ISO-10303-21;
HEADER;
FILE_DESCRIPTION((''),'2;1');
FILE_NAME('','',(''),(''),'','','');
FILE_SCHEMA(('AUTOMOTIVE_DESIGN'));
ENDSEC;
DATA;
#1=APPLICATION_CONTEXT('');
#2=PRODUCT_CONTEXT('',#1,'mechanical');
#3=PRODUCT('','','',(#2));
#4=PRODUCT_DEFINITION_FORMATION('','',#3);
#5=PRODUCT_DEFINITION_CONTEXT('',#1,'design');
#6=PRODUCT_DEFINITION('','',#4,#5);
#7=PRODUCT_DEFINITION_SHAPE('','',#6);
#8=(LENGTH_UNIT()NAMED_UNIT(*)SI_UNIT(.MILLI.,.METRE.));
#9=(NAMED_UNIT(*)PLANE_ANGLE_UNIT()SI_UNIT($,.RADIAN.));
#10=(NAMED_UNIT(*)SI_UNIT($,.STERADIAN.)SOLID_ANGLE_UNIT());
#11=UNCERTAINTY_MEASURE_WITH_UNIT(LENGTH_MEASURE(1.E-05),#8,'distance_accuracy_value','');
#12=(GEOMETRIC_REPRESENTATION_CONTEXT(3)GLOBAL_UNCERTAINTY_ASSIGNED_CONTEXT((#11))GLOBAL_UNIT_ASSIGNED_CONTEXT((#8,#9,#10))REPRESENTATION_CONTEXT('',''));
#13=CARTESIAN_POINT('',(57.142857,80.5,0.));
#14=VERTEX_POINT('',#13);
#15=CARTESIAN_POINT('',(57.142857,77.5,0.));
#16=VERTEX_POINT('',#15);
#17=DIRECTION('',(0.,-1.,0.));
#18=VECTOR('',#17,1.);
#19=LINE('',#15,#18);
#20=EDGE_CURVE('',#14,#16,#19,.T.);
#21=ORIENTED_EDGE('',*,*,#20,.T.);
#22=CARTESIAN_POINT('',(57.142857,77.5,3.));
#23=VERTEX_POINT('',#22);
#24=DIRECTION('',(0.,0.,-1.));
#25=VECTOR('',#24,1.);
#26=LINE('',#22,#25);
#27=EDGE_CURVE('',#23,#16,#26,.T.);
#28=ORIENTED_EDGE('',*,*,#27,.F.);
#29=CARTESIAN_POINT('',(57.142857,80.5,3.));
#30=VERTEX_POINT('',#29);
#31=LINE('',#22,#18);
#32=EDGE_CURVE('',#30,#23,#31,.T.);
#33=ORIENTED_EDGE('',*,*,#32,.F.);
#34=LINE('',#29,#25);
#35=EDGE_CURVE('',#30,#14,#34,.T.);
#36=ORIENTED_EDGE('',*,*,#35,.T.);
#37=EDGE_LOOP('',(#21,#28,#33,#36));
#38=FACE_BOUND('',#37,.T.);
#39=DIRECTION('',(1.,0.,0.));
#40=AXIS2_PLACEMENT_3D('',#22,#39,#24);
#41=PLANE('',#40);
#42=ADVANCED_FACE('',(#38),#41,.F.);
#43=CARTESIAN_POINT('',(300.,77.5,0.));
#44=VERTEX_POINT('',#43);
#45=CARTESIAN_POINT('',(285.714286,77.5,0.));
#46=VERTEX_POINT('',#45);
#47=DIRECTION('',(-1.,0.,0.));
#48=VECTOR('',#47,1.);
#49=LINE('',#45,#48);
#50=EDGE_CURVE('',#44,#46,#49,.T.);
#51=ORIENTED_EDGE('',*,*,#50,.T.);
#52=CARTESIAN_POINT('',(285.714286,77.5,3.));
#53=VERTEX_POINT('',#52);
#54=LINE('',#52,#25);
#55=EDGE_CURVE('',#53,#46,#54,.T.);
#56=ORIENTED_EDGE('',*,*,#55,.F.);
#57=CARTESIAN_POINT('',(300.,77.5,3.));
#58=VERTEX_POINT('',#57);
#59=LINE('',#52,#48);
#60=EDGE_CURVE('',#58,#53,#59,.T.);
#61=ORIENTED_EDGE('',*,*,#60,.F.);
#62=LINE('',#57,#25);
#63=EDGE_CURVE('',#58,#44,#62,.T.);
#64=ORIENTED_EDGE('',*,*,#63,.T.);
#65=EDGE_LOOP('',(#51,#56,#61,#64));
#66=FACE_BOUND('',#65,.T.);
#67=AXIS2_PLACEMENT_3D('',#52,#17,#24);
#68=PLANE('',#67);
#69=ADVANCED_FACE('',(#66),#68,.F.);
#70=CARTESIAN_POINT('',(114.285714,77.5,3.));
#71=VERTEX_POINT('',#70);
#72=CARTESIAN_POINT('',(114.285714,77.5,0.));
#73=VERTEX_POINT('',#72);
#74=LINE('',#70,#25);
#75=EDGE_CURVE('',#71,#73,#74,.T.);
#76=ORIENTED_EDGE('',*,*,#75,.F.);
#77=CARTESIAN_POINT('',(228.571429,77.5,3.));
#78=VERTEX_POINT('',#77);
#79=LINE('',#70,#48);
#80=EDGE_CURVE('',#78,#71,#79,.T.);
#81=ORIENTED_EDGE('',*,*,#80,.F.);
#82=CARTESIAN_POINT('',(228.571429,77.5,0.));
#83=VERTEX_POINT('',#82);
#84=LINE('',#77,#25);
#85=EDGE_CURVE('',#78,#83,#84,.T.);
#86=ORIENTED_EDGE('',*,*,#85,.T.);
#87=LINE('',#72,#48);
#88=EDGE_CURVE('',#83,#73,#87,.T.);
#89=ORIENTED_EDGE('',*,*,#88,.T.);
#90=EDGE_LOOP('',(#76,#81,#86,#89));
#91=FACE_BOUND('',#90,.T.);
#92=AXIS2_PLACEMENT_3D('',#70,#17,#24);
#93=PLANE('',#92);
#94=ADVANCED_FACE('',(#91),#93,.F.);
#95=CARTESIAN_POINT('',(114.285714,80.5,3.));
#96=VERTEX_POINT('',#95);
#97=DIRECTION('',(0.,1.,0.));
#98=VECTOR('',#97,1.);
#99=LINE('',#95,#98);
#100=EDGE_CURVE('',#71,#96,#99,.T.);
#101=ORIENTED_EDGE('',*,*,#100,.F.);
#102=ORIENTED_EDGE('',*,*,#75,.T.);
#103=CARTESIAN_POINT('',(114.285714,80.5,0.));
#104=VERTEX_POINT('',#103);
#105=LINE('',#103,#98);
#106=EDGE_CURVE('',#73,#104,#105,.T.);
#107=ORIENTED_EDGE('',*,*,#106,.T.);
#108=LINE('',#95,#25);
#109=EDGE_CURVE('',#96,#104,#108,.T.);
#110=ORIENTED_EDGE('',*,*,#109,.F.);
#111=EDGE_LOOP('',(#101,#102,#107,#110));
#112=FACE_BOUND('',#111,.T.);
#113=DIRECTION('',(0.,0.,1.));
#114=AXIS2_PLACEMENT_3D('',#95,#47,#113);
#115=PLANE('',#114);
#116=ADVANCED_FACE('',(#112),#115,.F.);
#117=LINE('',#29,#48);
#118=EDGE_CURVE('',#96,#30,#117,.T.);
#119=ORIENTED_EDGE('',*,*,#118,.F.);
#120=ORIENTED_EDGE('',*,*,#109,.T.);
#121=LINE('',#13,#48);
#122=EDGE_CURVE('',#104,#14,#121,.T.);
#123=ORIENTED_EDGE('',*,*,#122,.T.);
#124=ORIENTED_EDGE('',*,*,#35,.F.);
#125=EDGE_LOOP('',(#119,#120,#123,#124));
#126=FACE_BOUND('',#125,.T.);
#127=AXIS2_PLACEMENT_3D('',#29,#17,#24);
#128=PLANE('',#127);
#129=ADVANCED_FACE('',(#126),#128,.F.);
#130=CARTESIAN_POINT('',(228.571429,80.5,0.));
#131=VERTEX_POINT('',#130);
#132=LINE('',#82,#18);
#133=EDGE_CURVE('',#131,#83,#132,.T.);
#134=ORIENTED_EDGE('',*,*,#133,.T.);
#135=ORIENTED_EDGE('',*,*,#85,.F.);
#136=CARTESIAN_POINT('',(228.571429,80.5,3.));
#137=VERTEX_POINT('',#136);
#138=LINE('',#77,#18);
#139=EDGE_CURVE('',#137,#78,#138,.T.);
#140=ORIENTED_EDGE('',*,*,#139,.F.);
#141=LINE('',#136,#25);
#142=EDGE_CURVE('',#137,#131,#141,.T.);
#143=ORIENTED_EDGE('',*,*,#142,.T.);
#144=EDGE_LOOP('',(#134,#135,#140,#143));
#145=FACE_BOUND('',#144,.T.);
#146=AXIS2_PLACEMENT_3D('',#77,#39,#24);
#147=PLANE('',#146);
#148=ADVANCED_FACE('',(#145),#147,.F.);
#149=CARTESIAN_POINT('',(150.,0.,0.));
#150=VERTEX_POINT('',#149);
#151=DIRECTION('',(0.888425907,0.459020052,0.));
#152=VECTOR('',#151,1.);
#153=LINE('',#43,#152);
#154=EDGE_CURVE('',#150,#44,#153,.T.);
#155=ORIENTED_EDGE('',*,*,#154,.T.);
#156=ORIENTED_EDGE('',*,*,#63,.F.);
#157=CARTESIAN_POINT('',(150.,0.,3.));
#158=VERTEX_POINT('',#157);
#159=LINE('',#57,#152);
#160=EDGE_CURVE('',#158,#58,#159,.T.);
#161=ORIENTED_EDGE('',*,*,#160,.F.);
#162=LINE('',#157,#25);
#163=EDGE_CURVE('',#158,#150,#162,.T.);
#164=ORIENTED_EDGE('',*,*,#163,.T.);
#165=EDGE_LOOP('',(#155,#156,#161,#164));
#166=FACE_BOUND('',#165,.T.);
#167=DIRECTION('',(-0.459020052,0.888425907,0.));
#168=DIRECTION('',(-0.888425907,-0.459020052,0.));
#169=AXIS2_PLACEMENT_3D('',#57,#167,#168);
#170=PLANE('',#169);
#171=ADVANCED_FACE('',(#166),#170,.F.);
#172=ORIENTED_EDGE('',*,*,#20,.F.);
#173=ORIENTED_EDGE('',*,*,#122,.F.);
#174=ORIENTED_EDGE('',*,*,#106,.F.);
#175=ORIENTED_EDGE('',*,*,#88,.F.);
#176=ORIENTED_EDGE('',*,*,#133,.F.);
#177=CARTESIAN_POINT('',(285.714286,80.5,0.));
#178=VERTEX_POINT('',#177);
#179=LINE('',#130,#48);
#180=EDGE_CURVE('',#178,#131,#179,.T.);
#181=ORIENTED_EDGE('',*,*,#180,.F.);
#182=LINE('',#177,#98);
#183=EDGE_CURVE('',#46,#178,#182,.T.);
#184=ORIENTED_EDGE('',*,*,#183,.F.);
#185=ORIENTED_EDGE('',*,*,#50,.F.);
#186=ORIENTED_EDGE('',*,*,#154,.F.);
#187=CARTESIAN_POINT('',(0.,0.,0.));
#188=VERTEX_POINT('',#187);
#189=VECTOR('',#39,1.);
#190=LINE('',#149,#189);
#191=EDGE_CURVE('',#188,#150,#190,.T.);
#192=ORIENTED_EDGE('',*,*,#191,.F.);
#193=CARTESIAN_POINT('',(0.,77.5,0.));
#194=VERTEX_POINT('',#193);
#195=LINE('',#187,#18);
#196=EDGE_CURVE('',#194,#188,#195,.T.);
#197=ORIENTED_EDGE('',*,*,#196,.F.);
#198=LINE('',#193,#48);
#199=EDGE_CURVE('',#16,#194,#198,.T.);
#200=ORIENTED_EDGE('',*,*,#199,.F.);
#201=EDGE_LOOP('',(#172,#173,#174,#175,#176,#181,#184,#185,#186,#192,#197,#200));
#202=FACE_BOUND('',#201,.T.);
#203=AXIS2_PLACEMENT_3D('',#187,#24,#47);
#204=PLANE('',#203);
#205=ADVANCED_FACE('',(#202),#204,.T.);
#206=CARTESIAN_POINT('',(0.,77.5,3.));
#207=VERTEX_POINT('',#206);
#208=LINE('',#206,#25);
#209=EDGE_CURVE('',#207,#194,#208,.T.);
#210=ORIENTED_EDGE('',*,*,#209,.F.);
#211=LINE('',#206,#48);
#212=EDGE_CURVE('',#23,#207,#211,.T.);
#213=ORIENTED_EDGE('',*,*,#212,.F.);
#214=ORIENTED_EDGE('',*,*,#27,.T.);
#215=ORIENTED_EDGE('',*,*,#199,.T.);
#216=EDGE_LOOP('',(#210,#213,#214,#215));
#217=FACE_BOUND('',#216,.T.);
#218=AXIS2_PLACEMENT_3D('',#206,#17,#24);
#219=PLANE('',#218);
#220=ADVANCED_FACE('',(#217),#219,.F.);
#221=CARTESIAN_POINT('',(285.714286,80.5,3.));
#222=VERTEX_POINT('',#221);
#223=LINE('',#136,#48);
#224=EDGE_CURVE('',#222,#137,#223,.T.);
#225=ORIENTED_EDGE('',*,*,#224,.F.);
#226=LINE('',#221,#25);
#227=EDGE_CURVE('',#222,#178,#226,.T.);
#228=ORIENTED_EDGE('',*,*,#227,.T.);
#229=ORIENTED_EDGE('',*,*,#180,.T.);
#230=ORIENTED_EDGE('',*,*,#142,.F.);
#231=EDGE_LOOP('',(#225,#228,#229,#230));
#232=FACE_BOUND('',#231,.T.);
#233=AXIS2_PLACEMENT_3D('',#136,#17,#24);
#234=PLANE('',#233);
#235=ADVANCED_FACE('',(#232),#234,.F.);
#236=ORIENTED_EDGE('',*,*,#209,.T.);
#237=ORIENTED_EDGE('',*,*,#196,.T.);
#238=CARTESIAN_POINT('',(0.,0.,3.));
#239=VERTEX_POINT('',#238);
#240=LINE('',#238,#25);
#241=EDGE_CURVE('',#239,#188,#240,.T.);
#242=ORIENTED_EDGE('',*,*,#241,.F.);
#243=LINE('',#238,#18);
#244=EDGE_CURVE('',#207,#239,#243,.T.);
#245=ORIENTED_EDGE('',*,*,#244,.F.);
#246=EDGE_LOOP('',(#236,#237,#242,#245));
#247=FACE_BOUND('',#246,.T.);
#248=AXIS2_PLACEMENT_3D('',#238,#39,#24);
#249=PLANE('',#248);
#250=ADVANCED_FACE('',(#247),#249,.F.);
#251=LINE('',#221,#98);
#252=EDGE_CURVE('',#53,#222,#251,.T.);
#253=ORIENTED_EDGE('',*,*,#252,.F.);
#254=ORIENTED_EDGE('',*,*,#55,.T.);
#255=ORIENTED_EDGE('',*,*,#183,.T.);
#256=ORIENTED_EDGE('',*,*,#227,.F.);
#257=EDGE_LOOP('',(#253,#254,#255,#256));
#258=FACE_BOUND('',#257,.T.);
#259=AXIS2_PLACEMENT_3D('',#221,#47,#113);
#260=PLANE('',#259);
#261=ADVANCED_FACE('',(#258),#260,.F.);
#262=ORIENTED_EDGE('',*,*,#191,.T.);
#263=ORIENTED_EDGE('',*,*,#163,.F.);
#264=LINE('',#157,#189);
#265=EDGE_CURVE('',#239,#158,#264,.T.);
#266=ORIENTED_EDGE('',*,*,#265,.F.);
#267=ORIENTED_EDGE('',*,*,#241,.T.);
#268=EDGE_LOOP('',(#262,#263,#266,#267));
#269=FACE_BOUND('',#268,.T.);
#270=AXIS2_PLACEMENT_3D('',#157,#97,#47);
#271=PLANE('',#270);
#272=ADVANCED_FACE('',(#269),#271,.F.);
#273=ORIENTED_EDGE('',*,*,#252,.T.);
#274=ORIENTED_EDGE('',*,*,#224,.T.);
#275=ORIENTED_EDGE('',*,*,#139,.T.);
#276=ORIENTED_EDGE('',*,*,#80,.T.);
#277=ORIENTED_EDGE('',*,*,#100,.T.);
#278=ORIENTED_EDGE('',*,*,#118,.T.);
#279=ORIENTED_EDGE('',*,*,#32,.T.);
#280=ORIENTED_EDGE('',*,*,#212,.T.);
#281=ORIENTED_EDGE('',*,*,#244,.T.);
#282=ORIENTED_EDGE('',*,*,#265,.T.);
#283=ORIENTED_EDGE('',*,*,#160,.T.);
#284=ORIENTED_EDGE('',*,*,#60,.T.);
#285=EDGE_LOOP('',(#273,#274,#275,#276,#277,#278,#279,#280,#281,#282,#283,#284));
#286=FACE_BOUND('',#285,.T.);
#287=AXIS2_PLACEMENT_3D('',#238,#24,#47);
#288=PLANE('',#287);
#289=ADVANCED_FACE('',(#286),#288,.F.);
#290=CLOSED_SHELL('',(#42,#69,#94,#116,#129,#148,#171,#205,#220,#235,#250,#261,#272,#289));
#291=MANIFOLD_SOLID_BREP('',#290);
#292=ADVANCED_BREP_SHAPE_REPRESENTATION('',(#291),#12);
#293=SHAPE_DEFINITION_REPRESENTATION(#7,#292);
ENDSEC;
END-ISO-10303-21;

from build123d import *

# Parameters (mm, degrees)
RESSALTO_EXTRUS_O1_DEPTH = 3


with BuildPart() as part:
    # Esboço1 → Ressalto-extrusão1 (new body)
    with BuildSketch(Plane.XY):
        Polygon((0, 0), (0, 77.5), (57.142857143, 77.5), (57.142857143, 80.5), (114.285714286, 80.5), (114.285714286, 77.5), (228.571428571, 77.5), (228.571428571, 80.5), (285.714285714, 80.5), (285.714285714, 77.5), (300, 77.5), (150, 0), align=None)
    extrude(amount=RESSALTO_EXTRUS_O1_DEPTH)


solid = part.part
